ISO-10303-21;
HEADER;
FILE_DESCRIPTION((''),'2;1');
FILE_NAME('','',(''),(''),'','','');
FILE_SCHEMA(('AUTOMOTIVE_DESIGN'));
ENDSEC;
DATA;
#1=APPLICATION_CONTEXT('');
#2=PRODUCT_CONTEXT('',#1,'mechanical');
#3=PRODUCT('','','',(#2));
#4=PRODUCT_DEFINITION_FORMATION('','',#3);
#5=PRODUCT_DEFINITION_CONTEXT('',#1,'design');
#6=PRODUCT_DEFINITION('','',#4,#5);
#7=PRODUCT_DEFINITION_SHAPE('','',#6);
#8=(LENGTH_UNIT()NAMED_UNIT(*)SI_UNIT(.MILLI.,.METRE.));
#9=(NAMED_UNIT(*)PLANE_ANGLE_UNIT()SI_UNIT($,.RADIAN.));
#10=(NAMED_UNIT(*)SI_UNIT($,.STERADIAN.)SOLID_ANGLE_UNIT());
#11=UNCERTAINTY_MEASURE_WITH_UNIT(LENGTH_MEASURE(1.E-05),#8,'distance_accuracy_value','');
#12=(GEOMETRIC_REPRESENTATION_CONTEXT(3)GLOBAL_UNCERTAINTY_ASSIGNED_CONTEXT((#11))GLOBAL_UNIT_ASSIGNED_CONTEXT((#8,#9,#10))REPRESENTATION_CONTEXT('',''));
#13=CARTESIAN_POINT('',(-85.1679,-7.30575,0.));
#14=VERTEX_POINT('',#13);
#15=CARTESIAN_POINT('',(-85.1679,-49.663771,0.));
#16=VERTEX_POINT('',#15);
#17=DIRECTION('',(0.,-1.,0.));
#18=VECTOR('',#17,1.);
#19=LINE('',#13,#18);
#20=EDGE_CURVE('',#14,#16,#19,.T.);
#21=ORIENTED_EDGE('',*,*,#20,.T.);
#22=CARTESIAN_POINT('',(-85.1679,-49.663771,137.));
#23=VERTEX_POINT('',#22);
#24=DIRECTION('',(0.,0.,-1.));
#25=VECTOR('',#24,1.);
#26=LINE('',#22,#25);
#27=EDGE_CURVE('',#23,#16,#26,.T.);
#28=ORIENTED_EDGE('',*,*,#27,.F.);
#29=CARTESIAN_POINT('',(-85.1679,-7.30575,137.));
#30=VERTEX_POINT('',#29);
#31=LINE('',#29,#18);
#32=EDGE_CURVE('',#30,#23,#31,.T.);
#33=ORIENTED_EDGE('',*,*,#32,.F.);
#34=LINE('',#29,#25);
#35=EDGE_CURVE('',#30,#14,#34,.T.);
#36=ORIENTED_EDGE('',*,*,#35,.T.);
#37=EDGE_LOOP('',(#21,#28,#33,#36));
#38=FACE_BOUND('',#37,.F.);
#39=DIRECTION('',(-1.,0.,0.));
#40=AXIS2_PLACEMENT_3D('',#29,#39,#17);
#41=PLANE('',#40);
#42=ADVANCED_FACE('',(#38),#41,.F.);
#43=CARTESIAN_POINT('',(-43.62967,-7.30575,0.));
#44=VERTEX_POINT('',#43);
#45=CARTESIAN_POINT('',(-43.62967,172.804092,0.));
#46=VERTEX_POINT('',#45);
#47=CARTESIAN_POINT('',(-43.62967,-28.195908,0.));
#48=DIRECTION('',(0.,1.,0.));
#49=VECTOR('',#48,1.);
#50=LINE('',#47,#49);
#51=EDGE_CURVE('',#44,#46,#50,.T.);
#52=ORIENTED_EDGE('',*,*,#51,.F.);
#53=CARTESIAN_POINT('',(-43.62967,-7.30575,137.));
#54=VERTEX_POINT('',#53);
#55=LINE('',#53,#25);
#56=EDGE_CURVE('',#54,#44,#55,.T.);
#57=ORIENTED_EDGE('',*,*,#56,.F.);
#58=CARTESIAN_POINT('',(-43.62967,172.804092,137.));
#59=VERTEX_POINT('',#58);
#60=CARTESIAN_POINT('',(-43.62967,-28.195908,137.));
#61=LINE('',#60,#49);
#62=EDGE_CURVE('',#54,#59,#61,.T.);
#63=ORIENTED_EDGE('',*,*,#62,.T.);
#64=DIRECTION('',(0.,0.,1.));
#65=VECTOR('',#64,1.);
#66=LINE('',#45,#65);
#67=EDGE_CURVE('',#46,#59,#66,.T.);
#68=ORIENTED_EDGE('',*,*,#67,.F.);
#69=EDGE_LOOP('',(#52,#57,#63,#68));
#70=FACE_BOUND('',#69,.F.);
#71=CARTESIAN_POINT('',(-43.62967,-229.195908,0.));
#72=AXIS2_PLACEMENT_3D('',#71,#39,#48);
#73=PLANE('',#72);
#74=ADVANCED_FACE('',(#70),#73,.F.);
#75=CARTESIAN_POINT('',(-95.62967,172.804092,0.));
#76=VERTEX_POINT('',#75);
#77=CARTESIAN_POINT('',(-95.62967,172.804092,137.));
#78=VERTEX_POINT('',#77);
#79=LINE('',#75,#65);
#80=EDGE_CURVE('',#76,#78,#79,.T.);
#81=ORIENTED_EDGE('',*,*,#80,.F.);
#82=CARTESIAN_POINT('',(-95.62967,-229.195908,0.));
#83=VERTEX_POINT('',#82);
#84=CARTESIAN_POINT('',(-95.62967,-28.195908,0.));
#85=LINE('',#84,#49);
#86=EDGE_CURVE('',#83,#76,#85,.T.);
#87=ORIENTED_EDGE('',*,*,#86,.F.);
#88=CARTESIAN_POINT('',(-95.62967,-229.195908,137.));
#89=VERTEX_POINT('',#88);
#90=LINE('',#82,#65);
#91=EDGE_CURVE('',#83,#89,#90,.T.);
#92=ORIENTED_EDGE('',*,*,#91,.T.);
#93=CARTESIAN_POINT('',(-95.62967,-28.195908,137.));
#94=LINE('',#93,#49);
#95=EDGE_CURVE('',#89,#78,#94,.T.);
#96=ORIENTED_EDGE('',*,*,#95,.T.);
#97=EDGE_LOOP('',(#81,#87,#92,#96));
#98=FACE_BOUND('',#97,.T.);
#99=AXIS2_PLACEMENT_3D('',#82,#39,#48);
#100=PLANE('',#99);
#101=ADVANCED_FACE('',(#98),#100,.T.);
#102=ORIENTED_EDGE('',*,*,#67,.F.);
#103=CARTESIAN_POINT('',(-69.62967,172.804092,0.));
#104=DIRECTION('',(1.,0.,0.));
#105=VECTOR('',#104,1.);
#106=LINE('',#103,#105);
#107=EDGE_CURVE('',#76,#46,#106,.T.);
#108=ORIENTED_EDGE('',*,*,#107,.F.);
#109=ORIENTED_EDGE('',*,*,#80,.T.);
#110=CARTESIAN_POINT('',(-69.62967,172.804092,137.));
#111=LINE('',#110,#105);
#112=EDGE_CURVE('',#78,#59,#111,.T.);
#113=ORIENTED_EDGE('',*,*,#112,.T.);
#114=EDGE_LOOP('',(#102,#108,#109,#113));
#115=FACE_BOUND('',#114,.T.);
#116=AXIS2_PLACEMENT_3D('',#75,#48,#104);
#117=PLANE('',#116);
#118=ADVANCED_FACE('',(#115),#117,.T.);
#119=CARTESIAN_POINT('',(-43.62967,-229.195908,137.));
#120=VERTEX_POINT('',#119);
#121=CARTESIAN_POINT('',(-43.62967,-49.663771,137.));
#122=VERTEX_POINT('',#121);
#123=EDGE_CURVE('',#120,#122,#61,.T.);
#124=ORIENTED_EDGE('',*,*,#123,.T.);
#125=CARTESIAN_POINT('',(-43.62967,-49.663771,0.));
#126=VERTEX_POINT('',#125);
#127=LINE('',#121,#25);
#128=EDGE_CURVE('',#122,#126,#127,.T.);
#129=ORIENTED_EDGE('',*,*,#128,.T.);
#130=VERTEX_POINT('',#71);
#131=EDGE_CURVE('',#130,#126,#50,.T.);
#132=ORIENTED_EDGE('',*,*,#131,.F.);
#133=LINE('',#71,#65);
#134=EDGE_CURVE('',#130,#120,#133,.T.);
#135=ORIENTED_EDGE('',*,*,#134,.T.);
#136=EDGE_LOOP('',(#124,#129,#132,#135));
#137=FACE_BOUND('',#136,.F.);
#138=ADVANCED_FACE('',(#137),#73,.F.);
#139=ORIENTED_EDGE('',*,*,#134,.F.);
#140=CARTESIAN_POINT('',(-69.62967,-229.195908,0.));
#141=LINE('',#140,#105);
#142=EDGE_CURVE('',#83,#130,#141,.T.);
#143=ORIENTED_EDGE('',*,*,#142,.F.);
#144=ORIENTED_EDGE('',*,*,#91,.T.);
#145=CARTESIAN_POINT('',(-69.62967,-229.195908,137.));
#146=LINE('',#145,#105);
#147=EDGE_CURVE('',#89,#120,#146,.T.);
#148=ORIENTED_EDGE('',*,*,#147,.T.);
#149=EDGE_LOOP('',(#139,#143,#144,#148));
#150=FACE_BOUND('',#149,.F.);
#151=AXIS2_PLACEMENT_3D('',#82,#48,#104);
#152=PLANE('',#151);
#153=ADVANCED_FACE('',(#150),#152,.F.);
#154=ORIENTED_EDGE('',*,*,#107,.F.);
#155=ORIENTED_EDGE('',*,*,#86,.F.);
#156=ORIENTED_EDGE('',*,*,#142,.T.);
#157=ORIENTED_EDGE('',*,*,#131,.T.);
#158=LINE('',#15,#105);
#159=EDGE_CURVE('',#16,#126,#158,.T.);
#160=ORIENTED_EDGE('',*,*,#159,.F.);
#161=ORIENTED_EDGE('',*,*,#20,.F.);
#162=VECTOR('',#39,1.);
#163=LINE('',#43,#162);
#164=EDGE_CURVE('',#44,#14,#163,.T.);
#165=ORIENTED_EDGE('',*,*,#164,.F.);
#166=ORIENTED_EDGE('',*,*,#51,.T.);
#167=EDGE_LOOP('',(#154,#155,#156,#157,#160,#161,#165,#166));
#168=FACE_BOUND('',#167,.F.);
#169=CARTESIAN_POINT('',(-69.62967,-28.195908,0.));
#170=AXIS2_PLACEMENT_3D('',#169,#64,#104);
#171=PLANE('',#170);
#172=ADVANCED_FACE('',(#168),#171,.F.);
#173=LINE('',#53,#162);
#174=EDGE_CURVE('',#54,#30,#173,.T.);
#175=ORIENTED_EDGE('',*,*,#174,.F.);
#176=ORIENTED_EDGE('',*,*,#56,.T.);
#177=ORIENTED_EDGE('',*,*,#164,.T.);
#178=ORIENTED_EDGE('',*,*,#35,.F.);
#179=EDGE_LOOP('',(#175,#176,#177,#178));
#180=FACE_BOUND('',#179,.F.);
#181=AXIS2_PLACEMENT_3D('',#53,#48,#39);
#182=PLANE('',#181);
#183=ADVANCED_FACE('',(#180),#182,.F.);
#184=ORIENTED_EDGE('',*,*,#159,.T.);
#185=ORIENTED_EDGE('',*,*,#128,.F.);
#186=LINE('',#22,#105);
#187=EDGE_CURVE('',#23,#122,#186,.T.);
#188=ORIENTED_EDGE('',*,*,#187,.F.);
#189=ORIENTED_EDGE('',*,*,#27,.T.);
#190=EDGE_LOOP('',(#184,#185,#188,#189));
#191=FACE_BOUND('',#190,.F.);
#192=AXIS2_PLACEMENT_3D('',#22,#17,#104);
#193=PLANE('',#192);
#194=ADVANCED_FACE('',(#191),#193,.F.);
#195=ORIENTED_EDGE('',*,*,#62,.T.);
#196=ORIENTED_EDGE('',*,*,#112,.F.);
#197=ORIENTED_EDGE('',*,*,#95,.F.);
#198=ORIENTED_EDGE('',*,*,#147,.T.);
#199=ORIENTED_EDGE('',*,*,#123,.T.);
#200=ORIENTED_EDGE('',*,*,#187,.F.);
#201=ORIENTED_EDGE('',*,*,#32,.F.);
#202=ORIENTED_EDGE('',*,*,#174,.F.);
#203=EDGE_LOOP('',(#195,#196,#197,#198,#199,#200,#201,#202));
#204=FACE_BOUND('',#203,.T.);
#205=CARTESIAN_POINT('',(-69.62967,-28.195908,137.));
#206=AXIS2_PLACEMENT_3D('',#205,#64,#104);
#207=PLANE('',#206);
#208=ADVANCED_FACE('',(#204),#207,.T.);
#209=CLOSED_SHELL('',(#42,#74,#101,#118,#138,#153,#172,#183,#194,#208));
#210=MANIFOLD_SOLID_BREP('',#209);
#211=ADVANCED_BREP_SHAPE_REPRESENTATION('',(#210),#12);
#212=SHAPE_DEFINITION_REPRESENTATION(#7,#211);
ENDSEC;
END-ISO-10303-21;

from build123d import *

# Parameters (mm, degrees)
F0_W     = 52
F0_H     = 402
F1_DEPTH = 137
F3_DEPTH = 137


with BuildPart() as f1:
    # F0 (on Top) → F1 (new body)
    with BuildSketch(Plane.XY):
        with Locations((-69.62967, -28.195908)):
            Rectangle(F0_W, F0_H)
    extrude(amount=F1_DEPTH)

    # F2 (on face) → F3 (cut)
    with BuildSketch(Plane.XY.offset(137)):
        Polygon((-43.62967, -49.663771), (-43.62967, -28.195908), (-43.62967, -7.30575), (-85.1679, -7.30575), (-85.1679, -49.663771), align=None)
    extrude(amount=-F3_DEPTH, mode=Mode.SUBTRACT)


solid = f1.part
